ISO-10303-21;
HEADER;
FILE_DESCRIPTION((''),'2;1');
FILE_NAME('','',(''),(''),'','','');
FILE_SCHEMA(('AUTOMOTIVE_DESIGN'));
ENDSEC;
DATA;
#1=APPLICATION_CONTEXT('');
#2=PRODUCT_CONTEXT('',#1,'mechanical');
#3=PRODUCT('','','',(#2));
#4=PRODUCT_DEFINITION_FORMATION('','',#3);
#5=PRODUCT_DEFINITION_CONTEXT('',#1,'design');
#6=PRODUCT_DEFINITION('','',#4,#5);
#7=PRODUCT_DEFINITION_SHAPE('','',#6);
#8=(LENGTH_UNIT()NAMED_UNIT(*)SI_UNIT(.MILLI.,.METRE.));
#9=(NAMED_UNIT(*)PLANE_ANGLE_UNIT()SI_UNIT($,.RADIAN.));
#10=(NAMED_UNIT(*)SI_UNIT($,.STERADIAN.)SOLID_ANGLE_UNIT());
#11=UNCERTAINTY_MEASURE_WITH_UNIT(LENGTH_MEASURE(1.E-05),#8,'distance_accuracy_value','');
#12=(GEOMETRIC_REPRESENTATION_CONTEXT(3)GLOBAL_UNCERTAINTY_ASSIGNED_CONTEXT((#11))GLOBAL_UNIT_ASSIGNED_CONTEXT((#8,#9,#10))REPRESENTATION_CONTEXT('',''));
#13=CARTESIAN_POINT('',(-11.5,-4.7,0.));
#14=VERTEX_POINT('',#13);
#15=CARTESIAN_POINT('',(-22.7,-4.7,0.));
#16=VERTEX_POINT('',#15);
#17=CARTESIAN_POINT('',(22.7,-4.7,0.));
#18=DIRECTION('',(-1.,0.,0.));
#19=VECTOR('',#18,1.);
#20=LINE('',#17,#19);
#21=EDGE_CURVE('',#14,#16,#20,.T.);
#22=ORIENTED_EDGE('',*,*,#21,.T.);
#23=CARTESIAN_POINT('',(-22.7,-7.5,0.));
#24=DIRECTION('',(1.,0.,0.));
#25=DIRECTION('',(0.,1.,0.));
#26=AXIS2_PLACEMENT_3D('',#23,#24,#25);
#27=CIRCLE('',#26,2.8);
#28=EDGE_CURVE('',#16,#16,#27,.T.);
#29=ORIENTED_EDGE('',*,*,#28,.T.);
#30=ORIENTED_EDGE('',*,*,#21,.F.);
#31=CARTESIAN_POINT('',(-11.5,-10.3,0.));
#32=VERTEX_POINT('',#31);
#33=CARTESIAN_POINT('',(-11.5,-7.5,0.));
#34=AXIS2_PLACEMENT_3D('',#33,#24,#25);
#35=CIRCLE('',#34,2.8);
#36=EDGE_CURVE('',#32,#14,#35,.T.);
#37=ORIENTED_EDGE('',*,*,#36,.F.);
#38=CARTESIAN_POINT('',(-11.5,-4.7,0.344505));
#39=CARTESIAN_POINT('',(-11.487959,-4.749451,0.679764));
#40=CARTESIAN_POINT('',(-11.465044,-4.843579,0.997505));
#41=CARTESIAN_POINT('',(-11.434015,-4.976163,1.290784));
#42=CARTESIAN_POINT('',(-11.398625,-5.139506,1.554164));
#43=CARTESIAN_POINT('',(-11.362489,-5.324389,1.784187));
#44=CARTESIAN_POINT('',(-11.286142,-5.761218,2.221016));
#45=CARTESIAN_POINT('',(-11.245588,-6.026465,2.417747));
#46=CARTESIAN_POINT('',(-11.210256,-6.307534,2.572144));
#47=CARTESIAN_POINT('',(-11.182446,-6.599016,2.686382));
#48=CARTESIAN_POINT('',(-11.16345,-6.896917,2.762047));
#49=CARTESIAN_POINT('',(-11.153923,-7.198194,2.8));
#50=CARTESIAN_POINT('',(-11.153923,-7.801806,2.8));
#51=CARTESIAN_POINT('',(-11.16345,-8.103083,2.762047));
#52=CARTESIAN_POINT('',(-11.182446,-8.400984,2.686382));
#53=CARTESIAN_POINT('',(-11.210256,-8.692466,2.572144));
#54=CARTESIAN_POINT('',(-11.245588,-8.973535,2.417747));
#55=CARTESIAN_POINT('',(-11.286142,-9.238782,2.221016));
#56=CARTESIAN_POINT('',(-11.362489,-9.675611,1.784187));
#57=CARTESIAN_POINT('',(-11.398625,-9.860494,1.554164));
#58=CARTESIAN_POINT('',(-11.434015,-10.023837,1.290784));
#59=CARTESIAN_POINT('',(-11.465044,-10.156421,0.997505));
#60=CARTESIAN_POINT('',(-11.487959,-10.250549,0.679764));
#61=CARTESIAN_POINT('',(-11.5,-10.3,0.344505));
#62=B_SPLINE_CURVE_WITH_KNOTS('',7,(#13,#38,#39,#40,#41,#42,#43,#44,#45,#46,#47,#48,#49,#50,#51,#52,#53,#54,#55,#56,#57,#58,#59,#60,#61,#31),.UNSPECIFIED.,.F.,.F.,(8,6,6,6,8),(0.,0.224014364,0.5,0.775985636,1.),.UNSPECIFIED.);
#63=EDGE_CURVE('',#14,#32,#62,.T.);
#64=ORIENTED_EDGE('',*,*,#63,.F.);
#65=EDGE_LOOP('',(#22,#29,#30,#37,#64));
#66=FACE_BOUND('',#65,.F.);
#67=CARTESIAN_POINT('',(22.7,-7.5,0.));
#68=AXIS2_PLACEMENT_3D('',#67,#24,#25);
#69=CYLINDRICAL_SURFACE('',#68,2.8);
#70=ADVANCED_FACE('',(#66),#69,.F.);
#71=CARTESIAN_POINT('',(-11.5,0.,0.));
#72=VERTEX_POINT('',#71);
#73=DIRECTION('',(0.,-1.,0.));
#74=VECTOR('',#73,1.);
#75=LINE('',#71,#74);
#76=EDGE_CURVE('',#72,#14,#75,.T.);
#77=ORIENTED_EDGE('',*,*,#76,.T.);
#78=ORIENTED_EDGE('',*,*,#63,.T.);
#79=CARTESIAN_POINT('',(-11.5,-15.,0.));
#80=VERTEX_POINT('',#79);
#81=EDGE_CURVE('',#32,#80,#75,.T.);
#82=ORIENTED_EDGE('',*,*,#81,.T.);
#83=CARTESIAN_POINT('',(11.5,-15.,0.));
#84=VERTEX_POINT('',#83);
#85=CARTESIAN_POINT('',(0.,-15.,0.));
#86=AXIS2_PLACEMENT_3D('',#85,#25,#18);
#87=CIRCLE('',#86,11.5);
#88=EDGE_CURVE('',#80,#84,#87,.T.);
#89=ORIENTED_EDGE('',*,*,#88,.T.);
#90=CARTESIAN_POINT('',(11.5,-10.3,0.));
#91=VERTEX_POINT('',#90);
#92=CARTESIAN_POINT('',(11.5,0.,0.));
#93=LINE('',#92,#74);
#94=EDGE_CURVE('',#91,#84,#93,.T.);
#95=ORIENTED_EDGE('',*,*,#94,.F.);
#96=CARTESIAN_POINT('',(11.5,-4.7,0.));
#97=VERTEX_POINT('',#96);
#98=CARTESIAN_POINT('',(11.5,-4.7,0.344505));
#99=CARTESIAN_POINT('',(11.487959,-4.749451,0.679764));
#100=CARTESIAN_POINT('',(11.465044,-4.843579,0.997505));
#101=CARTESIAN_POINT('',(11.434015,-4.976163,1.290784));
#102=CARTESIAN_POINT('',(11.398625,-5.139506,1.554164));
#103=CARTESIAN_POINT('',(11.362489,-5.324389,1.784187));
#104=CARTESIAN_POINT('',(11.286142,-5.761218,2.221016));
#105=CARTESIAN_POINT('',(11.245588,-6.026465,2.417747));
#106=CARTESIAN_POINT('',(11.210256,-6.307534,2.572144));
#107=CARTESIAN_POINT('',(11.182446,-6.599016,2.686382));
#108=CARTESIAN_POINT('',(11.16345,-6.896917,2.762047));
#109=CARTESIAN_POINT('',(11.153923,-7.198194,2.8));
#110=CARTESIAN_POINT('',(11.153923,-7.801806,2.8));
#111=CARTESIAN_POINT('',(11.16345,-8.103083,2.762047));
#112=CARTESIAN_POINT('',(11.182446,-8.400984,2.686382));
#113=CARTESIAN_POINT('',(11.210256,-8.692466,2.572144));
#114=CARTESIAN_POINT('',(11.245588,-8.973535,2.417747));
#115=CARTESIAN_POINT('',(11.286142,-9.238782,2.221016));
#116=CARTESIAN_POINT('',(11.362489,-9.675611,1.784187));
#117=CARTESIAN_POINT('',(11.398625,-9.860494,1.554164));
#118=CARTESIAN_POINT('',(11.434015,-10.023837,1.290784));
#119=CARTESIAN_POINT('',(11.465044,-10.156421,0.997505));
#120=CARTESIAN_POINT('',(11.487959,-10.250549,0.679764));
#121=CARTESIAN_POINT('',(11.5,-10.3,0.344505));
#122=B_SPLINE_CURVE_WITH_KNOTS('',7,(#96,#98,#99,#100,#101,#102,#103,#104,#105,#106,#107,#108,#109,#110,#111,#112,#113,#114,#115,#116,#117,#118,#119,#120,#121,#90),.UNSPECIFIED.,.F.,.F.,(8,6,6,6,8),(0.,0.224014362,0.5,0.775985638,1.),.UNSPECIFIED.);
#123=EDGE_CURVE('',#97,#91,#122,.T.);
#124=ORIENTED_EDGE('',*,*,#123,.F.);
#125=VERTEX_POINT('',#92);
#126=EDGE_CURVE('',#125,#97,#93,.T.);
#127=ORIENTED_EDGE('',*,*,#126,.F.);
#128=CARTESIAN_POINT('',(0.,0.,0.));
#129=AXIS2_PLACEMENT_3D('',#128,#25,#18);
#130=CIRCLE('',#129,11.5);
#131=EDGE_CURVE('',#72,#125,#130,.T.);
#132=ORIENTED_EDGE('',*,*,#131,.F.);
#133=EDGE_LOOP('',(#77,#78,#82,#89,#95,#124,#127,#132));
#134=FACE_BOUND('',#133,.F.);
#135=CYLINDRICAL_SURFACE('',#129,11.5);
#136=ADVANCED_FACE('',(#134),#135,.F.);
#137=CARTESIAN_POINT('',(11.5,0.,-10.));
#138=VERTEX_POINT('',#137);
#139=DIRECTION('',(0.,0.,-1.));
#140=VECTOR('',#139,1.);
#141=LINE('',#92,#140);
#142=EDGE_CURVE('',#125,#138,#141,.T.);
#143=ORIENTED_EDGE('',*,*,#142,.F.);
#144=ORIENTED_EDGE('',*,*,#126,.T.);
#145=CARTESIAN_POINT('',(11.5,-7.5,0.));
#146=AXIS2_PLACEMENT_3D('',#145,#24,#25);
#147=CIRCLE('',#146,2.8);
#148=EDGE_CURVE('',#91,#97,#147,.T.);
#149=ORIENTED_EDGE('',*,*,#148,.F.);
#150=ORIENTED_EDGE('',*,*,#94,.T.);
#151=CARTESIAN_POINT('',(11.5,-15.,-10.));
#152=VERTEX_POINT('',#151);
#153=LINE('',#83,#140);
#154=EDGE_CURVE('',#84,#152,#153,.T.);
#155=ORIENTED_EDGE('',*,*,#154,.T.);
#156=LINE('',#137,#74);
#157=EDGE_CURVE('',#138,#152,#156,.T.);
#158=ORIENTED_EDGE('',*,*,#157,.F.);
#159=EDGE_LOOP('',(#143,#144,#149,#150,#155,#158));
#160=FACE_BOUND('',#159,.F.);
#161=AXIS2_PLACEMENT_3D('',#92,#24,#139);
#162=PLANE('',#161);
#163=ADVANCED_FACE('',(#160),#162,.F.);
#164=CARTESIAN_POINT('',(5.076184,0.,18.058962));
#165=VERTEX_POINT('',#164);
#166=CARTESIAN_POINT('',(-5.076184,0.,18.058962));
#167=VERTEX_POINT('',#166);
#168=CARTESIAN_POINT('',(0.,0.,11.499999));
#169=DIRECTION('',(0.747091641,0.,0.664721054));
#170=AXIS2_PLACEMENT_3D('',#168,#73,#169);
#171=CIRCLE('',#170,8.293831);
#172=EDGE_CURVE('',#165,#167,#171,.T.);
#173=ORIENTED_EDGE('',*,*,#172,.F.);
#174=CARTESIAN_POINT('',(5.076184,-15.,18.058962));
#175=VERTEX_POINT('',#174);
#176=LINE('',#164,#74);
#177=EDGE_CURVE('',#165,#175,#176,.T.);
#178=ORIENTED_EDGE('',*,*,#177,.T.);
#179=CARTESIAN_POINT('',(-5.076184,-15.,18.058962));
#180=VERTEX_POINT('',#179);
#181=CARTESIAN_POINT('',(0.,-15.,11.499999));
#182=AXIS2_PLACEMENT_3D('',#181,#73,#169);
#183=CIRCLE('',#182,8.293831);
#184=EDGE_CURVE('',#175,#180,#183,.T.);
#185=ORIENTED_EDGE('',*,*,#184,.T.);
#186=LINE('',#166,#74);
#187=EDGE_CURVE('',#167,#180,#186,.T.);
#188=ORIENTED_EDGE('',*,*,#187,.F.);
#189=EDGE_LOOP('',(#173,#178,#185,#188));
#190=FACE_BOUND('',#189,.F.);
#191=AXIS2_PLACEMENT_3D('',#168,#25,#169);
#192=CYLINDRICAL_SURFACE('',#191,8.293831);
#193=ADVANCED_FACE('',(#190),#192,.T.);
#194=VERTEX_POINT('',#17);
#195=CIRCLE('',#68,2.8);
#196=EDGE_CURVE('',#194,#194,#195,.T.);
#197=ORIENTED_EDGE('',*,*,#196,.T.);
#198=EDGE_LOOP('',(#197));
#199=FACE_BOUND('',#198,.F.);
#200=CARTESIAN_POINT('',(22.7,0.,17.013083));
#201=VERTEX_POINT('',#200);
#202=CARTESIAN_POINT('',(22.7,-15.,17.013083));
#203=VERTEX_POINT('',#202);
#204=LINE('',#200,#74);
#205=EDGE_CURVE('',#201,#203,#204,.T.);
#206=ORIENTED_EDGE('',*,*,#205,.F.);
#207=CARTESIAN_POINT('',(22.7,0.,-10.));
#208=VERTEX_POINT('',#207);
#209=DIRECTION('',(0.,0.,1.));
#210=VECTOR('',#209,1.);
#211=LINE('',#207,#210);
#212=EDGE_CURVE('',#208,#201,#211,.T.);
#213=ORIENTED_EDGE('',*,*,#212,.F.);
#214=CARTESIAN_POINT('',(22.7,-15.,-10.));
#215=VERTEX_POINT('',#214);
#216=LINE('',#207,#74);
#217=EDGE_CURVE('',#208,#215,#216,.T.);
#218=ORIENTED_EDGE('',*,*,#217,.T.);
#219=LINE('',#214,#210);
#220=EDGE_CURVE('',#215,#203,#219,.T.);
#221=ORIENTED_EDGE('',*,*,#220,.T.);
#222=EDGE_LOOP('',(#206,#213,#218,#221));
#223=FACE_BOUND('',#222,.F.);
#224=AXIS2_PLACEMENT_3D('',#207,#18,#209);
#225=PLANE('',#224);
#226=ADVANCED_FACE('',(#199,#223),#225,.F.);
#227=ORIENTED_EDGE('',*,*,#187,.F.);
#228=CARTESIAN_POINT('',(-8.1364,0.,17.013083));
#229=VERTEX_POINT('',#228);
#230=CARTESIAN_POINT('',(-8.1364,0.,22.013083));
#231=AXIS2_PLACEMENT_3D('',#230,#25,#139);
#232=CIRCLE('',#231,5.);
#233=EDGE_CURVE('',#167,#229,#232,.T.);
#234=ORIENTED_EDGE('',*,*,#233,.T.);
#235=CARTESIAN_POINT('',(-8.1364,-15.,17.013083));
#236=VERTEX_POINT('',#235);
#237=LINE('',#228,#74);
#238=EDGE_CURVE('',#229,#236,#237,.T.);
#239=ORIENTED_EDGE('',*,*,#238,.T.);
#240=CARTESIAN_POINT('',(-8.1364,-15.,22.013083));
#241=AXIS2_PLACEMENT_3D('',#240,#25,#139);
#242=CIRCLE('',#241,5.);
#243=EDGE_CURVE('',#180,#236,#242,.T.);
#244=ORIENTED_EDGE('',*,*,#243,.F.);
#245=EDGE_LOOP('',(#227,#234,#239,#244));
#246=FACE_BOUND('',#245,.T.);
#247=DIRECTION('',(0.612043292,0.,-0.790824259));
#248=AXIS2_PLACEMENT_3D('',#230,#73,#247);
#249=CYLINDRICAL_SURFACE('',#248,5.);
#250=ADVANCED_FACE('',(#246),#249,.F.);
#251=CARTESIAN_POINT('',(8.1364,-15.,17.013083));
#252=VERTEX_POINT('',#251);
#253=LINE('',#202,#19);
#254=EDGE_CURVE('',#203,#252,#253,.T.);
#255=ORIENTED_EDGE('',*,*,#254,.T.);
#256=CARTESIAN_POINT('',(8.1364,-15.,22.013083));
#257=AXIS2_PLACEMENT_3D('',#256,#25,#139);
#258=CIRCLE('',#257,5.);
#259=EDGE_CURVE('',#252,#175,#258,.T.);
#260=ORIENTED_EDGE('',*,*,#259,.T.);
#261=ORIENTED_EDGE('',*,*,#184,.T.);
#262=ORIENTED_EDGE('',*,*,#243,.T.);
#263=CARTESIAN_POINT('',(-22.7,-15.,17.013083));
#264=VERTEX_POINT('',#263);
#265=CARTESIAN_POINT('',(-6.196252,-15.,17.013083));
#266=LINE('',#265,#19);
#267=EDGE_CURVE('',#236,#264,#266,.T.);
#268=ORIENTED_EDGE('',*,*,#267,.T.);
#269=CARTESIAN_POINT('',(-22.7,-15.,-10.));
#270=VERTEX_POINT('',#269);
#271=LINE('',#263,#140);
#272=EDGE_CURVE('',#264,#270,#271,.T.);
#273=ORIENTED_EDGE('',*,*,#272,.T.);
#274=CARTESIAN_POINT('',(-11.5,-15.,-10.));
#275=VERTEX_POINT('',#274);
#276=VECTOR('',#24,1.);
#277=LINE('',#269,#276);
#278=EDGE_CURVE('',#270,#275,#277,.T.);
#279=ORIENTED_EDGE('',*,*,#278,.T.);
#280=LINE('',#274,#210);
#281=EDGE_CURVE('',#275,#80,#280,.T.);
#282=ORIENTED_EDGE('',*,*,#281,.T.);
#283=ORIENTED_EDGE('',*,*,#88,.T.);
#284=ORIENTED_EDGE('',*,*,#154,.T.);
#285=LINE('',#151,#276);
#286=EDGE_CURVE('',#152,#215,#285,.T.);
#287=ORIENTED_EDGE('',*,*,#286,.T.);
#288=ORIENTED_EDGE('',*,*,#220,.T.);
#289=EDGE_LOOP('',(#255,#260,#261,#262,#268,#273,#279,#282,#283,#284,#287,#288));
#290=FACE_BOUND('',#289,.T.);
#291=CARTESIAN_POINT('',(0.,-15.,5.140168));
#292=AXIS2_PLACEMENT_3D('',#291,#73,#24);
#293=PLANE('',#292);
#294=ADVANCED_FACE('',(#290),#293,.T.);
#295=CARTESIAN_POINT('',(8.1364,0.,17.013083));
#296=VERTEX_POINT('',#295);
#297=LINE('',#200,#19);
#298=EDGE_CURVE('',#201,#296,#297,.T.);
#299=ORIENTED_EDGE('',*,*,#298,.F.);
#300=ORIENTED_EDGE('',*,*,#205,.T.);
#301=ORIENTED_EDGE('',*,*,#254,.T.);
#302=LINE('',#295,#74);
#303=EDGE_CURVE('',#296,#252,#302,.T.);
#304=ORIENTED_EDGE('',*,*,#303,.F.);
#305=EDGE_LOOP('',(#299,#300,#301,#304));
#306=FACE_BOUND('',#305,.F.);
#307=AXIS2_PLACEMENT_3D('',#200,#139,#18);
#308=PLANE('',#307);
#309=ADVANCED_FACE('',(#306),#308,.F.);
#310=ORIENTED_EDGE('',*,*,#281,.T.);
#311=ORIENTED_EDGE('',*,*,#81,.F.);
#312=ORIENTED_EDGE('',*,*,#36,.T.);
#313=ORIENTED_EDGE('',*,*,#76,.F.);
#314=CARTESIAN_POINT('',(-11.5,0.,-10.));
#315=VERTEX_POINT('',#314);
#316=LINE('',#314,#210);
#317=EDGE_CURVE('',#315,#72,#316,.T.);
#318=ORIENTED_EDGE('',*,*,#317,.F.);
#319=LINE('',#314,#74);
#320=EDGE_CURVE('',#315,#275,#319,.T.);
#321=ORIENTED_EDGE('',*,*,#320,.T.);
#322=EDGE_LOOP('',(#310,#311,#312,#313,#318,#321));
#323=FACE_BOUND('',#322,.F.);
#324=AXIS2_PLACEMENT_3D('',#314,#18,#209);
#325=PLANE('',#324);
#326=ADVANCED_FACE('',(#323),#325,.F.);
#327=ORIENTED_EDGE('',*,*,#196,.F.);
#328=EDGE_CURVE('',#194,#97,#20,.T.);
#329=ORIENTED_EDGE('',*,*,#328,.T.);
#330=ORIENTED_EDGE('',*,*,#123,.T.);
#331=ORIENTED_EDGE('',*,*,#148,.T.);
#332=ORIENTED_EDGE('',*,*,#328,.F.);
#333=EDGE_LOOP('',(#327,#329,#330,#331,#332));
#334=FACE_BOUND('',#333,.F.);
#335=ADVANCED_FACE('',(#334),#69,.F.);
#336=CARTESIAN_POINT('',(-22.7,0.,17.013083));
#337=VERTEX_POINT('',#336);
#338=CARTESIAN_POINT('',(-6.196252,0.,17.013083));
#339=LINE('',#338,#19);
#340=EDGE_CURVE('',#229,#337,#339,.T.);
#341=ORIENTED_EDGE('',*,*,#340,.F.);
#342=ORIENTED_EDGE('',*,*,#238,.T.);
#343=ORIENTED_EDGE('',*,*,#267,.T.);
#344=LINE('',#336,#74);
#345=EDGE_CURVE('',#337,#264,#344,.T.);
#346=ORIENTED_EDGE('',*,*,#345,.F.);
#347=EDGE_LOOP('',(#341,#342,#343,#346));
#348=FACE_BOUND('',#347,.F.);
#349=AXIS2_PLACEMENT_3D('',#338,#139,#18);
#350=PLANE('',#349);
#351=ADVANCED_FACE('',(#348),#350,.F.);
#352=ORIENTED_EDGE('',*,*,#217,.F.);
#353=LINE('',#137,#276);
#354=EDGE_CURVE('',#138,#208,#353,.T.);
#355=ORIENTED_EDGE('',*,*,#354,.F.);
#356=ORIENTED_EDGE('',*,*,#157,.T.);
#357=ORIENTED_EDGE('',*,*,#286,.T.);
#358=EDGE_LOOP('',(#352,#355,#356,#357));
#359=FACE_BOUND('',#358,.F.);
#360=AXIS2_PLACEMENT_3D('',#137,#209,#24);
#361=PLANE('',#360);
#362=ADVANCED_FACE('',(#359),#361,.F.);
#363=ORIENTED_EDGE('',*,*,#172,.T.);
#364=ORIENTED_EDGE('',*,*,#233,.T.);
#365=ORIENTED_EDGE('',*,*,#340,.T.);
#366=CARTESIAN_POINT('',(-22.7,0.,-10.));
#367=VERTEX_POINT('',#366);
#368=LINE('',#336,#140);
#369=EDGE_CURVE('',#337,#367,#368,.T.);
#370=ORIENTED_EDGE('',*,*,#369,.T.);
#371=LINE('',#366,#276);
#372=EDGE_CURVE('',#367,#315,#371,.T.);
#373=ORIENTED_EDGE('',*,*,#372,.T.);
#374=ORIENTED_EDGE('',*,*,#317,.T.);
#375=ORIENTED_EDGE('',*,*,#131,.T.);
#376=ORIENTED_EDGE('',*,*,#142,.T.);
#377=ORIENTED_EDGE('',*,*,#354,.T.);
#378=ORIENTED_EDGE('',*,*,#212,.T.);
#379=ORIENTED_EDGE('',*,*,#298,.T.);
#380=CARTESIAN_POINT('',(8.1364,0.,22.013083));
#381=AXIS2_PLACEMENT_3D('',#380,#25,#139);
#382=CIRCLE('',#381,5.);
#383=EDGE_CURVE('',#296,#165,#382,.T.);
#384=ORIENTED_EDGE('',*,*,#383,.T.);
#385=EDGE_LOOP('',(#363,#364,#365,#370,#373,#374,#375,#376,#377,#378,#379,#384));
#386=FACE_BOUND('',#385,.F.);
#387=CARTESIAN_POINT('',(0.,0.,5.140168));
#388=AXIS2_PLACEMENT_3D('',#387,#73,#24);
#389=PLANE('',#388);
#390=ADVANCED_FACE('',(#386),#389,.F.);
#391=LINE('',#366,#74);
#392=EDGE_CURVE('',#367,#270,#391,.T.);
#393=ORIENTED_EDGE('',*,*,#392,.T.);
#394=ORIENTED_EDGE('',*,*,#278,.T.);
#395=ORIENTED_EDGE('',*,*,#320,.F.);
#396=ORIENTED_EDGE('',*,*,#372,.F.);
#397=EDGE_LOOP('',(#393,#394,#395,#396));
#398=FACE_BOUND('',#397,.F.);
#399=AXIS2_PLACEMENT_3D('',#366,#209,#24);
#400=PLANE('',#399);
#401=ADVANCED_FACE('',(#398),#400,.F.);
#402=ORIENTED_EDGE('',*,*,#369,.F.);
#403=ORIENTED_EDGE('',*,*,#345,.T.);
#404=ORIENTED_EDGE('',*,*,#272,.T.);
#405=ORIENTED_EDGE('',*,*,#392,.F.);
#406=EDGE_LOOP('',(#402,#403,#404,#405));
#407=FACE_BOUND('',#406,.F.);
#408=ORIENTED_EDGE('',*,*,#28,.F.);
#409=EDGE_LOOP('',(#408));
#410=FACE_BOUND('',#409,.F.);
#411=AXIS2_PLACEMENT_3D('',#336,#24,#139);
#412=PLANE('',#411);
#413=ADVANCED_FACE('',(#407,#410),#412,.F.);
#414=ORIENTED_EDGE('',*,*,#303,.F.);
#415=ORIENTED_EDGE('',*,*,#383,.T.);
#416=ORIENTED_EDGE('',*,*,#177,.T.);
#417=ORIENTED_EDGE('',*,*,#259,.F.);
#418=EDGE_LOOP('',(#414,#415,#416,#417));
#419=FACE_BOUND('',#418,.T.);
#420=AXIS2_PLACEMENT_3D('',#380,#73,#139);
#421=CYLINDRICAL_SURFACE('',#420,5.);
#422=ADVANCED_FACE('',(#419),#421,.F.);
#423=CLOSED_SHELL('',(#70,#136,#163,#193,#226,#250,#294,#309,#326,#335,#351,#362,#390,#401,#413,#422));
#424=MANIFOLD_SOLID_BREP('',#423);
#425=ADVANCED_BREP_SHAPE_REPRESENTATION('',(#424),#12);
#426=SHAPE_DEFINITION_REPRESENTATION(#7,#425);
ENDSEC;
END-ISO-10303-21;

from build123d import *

# Parameters (mm, degrees)
F1_DEPTH = 15
F2_R     = 2.8
F3_DEPTH = 45.401
F4_R     = 5


with BuildPart() as f1:
    # F0 (on Front) → F1 (new body)
    with BuildSketch(Plane.XZ):
        with BuildLine():
            ThreePointArc((-11.5, 0), (0, 11.5), (11.5, 0))
            Line((11.5, 0), (11.5, -10))
            Line((11.5, -10), (22.7, -10))
            Line((22.7, -10), (22.7, 0))
            Line((22.7, 0), (22.7, 17.013083))
            Line((22.7, 17.013083), (6.196252, 17.013083))
            ThreePointArc((6.196252, 17.013083), (0, 19.79383), (-6.196252, 17.013083))
            Line((-6.196252, 17.013083), (-22.7, 17.013083))
            Line((-22.7, 17.013083), (-22.7, 0))
            Line((-22.7, 0), (-22.7, -10))
            Line((-22.7, -10), (-11.5, -10))
            Line((-11.5, -10), (-11.5, 0))
        make_face()
    extrude(amount=F1_DEPTH)

    # F2 (on face) → F3 (cut, through all)
    with BuildSketch(Plane.YZ.offset(22.7)):
        with Locations((-7.5, 0)):
            Circle(F2_R)
    extrude(amount=-F3_DEPTH, mode=Mode.SUBTRACT)

    # F4
    f4_edges = [f1.edges().sort_by_distance(p)[0] for p in [
        (6.196252, -7.5, 17.013083),
        (-6.196252, -7.5, 17.013083),
    ]]
    fillet(f4_edges, radius=F4_R)


solid = f1.part
